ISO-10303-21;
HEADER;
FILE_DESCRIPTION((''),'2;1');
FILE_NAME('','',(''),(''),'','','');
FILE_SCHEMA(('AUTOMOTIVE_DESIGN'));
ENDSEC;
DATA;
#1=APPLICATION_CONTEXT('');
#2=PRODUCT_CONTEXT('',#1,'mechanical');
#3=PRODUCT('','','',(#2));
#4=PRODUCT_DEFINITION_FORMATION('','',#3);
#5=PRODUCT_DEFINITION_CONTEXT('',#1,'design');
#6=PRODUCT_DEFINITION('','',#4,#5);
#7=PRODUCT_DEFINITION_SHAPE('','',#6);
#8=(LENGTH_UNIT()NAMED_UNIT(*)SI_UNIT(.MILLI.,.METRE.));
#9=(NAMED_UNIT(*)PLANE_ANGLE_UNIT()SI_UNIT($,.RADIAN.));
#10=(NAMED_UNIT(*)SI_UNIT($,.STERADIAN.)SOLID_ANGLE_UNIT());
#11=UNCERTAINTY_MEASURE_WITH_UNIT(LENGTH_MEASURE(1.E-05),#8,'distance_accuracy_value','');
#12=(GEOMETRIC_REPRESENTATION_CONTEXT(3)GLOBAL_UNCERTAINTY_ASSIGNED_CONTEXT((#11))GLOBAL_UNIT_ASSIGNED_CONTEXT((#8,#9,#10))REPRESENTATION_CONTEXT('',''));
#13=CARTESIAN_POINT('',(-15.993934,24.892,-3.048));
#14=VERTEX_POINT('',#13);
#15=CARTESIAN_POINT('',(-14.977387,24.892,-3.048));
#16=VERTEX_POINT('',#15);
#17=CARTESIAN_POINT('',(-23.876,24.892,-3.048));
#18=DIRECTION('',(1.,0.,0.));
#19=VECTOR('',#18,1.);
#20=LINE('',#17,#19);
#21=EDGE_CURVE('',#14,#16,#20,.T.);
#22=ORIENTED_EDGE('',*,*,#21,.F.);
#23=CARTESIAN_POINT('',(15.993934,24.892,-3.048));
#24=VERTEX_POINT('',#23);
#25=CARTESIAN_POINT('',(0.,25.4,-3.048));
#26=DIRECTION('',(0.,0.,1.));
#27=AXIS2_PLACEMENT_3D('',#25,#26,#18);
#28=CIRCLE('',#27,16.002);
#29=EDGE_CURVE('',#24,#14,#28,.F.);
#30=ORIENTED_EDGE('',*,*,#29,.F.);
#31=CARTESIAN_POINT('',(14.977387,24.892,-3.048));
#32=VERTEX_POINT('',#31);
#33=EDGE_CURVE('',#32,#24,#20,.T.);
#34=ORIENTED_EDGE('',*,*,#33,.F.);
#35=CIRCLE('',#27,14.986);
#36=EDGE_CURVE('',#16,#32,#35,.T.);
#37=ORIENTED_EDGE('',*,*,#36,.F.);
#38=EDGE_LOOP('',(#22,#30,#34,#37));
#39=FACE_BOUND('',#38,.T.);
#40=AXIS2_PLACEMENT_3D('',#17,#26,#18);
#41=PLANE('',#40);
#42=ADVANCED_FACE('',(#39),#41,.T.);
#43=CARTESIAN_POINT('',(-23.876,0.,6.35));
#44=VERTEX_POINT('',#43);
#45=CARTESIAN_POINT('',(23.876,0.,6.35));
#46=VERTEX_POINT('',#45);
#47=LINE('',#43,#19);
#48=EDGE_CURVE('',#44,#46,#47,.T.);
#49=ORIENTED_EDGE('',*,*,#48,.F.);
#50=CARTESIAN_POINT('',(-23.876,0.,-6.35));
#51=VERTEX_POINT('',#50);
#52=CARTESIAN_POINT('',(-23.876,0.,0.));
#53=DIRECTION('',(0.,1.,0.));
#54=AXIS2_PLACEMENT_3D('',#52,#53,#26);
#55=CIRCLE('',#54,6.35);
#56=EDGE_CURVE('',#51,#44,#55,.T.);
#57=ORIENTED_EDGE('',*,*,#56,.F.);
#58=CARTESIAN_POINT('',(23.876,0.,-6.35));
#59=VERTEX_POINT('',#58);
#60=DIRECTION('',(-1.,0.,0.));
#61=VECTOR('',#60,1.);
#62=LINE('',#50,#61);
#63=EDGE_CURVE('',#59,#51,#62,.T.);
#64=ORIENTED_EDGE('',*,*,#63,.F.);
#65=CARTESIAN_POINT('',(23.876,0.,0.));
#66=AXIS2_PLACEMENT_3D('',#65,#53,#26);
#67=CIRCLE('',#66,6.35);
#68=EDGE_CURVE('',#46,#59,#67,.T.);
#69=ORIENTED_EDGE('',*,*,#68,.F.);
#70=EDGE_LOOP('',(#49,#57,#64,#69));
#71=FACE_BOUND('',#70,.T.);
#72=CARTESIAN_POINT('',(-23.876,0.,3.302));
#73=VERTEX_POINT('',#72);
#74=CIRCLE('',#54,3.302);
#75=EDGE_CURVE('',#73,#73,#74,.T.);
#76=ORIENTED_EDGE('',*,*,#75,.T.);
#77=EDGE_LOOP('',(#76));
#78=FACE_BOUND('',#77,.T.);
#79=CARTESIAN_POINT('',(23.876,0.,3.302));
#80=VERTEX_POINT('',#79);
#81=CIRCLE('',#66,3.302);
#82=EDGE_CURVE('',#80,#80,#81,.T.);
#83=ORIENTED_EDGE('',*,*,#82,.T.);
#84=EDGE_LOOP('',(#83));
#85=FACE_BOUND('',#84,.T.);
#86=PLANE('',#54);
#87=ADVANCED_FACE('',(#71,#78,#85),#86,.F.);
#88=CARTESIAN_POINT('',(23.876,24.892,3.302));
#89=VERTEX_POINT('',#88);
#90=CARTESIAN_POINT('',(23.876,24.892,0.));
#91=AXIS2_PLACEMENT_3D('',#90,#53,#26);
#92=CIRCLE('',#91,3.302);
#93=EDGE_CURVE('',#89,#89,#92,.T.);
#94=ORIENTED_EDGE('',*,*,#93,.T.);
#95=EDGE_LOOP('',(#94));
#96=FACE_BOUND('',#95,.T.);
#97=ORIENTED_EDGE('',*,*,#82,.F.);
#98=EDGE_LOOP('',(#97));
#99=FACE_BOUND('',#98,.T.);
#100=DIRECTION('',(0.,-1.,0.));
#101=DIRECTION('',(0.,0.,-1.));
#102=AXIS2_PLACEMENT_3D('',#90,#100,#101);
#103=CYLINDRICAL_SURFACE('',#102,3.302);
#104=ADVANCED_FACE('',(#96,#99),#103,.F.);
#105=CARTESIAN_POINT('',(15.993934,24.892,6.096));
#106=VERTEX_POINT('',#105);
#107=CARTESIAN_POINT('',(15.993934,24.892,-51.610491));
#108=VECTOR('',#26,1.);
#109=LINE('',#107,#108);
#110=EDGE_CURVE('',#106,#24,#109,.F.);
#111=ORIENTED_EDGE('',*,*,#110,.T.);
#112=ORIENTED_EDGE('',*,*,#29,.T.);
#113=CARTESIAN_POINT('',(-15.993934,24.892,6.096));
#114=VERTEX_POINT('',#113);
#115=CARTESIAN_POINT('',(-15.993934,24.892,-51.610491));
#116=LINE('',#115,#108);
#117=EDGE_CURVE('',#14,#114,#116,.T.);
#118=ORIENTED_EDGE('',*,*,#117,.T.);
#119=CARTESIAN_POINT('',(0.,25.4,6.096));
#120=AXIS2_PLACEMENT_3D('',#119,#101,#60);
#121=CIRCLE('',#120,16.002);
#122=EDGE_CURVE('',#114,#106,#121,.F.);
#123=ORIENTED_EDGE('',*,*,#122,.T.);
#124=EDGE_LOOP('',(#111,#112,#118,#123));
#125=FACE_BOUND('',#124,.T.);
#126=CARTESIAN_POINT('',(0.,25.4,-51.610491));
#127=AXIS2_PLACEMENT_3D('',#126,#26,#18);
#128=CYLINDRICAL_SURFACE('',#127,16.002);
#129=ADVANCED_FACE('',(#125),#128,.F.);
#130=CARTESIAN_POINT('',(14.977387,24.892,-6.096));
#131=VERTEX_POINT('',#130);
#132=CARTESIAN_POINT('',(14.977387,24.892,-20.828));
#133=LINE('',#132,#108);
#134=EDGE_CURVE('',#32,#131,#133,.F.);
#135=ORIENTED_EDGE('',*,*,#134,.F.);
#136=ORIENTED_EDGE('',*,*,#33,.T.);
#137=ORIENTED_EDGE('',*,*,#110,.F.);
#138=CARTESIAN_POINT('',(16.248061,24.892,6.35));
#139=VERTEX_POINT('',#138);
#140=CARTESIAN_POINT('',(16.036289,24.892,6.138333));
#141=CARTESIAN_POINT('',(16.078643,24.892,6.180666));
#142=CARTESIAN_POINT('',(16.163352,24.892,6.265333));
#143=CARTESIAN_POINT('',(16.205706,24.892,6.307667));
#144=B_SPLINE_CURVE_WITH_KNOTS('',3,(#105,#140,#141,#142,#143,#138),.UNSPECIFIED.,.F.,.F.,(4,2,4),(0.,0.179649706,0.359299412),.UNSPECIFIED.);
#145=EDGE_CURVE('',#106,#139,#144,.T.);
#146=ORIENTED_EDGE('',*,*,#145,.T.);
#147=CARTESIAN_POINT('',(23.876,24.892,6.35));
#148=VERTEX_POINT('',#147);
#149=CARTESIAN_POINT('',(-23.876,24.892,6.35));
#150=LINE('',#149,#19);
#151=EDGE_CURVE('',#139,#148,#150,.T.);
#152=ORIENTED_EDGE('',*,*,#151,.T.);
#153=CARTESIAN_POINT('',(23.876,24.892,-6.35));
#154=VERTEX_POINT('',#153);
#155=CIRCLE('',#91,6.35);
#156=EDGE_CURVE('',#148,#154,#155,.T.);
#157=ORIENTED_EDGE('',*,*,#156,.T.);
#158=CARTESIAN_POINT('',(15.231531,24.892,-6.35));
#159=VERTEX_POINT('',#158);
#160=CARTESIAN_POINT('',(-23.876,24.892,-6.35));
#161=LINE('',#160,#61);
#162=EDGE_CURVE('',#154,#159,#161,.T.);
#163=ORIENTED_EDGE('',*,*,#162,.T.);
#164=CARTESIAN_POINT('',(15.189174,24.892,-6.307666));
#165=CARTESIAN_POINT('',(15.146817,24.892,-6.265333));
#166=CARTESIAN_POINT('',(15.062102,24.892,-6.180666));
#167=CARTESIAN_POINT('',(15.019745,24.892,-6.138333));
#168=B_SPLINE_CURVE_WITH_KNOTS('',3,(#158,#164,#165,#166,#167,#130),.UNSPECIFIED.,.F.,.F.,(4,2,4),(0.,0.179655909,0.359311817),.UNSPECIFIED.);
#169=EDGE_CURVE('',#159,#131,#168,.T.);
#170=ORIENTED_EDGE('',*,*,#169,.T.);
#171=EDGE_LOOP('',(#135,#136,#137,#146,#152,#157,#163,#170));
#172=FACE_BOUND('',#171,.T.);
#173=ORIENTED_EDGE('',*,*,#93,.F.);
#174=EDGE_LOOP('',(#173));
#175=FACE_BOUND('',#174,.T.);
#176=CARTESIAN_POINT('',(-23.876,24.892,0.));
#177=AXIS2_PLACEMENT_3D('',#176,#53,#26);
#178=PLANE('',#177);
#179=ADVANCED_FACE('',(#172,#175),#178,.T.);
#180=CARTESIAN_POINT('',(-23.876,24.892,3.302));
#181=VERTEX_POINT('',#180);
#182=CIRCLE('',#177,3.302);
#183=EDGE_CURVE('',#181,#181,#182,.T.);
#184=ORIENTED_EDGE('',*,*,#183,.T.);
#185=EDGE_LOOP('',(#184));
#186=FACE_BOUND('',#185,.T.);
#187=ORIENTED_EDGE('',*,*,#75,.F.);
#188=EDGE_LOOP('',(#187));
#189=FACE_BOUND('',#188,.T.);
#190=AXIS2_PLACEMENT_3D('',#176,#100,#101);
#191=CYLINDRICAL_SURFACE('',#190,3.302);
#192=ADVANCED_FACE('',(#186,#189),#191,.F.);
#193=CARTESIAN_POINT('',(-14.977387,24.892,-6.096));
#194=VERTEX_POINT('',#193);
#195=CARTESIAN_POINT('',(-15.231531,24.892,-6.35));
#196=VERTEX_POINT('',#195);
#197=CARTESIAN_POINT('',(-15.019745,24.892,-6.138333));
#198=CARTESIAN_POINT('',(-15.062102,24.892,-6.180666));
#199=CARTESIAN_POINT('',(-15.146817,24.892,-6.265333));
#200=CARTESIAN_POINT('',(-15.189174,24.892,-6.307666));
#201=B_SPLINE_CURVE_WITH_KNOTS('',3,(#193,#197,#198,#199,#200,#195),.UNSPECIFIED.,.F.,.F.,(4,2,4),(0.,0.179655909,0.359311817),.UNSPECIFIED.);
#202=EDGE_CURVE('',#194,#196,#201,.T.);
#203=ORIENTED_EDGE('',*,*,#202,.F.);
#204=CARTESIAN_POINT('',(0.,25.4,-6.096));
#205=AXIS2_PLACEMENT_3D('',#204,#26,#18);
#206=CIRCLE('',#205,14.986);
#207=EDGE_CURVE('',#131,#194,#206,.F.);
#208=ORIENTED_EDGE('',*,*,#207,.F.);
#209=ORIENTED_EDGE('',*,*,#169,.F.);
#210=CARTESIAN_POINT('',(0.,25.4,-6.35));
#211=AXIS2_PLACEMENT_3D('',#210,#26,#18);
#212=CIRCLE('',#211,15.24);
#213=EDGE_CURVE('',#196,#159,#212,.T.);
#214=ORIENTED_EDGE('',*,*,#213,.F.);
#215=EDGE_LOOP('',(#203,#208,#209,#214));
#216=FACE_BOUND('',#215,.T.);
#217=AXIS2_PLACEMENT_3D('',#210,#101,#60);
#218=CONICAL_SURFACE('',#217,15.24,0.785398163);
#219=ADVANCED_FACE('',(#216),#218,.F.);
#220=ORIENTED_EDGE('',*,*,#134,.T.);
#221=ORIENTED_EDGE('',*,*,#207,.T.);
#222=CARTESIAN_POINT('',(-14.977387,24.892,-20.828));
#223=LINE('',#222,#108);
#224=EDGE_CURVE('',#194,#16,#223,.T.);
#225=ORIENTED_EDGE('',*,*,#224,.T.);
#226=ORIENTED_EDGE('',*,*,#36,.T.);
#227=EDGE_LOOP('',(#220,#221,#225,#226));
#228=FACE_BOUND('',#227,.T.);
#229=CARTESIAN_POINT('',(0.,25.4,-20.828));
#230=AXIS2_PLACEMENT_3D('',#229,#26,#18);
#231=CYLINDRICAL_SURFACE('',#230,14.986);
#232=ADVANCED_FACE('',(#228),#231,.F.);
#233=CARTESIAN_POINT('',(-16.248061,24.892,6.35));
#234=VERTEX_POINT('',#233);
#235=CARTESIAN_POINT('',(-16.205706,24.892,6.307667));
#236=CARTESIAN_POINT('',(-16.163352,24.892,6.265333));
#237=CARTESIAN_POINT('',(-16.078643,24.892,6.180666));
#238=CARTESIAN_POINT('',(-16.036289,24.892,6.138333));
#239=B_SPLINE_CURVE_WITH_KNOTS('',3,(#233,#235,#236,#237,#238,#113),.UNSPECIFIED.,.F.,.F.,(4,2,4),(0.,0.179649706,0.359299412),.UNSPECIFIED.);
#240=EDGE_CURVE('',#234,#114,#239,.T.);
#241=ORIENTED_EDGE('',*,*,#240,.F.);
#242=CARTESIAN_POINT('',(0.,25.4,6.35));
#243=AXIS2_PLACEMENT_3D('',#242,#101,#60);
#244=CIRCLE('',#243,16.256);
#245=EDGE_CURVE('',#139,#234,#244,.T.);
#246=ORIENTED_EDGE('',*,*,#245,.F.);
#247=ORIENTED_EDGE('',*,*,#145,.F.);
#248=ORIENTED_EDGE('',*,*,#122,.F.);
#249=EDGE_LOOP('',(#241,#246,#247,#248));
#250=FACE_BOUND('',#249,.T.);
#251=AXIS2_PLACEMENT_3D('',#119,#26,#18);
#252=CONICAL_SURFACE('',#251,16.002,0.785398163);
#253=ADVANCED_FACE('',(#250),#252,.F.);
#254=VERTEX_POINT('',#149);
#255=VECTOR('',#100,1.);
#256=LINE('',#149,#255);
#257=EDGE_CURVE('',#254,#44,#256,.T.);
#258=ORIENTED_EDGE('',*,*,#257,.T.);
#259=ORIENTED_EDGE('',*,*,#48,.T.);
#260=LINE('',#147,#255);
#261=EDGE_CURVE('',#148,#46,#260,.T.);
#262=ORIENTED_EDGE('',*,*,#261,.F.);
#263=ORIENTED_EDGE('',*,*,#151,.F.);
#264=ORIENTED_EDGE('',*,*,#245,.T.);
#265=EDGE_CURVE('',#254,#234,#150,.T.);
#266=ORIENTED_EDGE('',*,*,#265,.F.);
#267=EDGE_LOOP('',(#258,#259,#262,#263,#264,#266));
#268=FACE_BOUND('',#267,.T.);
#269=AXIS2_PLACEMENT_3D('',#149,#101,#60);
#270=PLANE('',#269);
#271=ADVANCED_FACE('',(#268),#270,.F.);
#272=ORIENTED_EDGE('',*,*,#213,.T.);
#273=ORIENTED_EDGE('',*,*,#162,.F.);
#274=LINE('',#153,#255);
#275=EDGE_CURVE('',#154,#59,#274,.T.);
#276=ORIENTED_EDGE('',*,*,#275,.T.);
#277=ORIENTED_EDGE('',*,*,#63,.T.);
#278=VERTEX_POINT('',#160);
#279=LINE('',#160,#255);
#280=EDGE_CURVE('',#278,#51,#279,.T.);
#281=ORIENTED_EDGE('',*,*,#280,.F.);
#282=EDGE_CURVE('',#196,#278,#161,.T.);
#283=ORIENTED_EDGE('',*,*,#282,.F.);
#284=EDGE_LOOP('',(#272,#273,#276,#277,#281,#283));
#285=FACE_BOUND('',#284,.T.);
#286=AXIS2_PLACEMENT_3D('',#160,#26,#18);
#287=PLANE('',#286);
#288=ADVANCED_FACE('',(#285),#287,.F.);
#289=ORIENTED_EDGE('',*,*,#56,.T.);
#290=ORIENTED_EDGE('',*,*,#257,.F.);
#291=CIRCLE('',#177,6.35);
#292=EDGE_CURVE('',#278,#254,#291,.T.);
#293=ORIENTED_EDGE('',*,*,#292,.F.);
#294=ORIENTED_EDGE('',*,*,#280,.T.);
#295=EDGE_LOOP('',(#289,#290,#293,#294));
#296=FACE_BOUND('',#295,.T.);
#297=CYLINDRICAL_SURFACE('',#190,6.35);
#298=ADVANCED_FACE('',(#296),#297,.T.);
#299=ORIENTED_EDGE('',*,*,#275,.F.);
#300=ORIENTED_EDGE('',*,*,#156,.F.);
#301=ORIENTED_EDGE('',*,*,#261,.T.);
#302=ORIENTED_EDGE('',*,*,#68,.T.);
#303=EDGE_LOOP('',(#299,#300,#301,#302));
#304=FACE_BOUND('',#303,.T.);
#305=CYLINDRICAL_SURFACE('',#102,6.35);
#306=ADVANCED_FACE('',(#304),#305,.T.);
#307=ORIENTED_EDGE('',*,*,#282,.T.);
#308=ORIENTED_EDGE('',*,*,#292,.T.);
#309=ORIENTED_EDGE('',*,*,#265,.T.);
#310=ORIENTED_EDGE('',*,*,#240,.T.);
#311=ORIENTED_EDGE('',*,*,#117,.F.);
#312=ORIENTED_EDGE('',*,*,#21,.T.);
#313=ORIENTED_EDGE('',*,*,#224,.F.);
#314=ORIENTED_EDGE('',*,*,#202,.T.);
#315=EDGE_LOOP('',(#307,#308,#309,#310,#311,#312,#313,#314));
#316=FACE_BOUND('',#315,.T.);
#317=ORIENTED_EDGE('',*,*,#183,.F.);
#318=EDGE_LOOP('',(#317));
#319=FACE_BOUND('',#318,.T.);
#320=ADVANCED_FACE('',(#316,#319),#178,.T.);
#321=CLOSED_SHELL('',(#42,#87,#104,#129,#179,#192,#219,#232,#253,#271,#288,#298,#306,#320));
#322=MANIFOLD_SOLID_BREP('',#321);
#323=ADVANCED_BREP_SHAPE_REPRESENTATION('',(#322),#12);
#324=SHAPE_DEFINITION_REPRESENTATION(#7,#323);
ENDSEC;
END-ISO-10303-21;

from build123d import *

# Parameters (mm, degrees)
SKETCH1_R           = 3.302
BOSS_EXTRUDE1_DEPTH = 24.892
SKETCH2_R           = 16.002
CUT_EXTRUDE1_DEPTH  = 9.398
SKETCH3_R           = 14.986
CUT_EXTRUDE2_DEPTH  = 17.78
CHAMFER1_SIZE       = 0.254


with BuildPart() as part:
    # Sketch1 → Boss-Extrude1 (new body)
    with BuildSketch(Plane(origin=(0, 0, 0), x_dir=(1, 0, 0), z_dir=(0, 1, 0))):
        with BuildLine():
            Line((-23.876, 6.35), (23.876, 6.35))
            ThreePointArc((23.876, 6.35), (30.226, 0), (23.876, -6.35))
            Line((23.876, -6.35), (-23.876, -6.35))
            ThreePointArc((-23.876, -6.35), (-30.226, 0), (-23.876, 6.35))
        make_face()
        with Locations(Location((23.876, 0, 0), (0, 0, 270))):
            Circle(SKETCH1_R, mode=Mode.SUBTRACT)
        with Locations(Location((-23.876, 0, 0), (0, 0, 270))):
            Circle(SKETCH1_R, mode=Mode.SUBTRACT)
    extrude(amount=BOSS_EXTRUDE1_DEPTH)

    # Sketch2 → Cut-Extrude1 (cut)
    with BuildSketch(Plane.XY.offset(6.35)):
        with Locations((0, 25.4)):
            Circle(SKETCH2_R)
    extrude(amount=-CUT_EXTRUDE1_DEPTH, mode=Mode.SUBTRACT)

    # Sketch3 → Cut-Extrude2 (cut)
    with BuildSketch(Plane.XY.offset(-3.048)):
        with Locations((0, 25.4)):
            Circle(SKETCH3_R)
    extrude(amount=-CUT_EXTRUDE2_DEPTH, mode=Mode.SUBTRACT)

    # Chamfer1
    chamfer1_edges = [part.edges().sort_by_distance(p)[0] for p in [
        (0, 9.398, 6.35),
        (0, 10.414, -6.35),
    ]]
    chamfer(chamfer1_edges, length=CHAMFER1_SIZE)


solid = part.part
